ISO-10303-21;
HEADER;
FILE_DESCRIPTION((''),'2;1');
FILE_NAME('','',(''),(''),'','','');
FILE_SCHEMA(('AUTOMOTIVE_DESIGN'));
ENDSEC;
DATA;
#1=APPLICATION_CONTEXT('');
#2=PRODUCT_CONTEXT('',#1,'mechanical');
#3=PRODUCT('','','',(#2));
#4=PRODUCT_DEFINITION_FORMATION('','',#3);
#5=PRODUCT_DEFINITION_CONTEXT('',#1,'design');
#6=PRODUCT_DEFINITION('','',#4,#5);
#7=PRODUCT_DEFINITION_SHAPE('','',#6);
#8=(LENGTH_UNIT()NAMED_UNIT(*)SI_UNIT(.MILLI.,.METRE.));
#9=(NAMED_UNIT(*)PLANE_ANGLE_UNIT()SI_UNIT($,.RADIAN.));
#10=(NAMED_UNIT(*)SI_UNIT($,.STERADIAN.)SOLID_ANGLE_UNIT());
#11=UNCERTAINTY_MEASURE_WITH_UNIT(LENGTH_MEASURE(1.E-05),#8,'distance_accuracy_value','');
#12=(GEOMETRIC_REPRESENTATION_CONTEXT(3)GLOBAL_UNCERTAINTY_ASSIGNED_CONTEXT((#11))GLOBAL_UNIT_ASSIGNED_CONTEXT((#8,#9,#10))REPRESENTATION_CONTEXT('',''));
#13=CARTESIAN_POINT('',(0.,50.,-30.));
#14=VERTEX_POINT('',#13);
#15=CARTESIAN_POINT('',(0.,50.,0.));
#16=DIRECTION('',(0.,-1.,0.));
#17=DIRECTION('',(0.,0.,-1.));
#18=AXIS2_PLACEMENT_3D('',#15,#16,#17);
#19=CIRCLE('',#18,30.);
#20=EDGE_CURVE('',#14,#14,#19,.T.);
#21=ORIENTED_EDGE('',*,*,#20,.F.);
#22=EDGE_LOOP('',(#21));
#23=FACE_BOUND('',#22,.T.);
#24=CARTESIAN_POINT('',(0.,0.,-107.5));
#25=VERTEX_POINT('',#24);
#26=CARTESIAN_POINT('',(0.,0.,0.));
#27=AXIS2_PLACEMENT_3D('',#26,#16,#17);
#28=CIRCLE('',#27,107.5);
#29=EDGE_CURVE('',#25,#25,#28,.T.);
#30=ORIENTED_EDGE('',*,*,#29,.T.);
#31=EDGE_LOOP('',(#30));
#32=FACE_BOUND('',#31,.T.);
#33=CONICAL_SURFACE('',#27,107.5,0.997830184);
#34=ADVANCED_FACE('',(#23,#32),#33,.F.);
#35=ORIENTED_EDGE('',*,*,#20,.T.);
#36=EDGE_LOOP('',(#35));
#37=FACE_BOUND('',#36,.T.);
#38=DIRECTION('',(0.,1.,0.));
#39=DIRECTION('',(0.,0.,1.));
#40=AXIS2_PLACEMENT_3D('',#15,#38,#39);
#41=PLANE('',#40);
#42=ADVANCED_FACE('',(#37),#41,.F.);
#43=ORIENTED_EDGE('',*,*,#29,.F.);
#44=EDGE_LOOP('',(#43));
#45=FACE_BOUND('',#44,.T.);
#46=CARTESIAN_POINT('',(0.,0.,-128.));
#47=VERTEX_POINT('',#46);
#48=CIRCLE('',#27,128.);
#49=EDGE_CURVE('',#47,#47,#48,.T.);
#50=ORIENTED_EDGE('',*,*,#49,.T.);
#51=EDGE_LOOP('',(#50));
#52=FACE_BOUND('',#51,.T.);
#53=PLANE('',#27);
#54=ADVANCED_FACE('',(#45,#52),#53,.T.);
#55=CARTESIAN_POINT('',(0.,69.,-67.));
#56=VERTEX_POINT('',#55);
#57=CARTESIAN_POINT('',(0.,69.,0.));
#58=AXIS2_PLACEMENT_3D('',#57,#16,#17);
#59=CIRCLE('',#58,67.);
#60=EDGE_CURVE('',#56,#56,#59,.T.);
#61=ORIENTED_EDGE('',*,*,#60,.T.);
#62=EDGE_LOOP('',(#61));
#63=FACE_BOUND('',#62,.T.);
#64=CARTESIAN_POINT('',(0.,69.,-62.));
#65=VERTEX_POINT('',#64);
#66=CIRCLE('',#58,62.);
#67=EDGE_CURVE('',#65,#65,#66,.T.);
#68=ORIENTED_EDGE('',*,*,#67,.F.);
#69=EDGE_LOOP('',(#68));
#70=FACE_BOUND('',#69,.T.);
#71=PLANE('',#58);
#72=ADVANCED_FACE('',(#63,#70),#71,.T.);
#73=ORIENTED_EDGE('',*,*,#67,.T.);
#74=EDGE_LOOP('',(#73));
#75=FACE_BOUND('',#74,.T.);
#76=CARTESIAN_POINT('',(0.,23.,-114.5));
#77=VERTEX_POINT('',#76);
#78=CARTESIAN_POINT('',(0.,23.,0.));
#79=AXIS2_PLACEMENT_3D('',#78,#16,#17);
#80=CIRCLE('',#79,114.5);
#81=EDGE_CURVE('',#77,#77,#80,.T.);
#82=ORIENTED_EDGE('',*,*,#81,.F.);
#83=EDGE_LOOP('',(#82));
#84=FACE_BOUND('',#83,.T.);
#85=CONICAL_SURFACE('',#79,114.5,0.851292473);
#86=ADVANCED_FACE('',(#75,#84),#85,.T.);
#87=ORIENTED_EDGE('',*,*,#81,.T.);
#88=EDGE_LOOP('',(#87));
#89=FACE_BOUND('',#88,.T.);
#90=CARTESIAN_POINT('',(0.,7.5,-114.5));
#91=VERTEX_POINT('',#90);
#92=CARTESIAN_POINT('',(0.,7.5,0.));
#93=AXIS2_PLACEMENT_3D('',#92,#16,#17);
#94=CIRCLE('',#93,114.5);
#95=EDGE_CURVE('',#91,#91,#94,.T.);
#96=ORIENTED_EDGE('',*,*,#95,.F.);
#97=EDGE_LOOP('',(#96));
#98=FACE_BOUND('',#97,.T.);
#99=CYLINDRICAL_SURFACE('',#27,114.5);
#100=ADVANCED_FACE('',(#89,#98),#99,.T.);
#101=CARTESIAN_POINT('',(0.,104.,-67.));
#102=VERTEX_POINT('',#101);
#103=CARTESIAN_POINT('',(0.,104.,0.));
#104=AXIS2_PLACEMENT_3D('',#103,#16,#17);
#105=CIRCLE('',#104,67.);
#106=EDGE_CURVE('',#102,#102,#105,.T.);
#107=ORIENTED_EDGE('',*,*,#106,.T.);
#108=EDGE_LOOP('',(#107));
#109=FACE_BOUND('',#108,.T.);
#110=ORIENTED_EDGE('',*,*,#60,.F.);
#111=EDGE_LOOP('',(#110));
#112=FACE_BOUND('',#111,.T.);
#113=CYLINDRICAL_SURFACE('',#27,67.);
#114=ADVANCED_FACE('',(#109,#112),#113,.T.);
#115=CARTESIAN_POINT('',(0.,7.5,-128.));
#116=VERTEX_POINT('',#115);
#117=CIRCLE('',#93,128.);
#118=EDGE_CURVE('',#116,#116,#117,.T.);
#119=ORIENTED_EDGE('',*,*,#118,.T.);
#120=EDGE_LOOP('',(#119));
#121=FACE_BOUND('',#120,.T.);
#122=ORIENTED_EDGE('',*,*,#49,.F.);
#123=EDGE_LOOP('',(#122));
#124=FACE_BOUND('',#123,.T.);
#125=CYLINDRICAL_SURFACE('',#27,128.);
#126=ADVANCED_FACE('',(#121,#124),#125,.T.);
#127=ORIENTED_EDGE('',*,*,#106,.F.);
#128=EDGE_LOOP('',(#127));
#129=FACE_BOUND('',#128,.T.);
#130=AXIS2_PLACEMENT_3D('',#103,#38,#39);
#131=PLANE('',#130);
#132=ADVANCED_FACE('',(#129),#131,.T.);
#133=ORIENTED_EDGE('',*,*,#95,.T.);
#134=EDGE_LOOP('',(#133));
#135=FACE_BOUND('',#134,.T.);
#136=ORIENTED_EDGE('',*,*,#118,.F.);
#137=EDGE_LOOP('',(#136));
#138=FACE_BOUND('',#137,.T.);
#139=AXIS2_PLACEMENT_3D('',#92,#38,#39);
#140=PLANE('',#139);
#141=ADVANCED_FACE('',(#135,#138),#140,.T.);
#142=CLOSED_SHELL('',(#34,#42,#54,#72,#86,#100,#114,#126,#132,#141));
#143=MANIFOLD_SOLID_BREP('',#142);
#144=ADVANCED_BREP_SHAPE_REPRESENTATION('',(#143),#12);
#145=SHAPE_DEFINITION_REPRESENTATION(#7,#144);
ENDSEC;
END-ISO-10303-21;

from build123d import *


with BuildPart() as part:
    # Эскиз1 → Повернуть1 (revolve)
    with BuildSketch(Plane(origin=(0, 0, 0), x_dir=(0, 0, -1), z_dir=(1, 0, 0))):
        Polygon((0, 104), (0, 50), (-30, 50), (-107.5, 0), (-128, 0), (-128, 7.5), (-114.5, 7.5), (-114.5, 23), (-62, 69), (-67, 69), (-67, 104), align=None)
    revolve(axis=Axis((0, 0, 0), (0, 1, 0)))


solid = part.part
